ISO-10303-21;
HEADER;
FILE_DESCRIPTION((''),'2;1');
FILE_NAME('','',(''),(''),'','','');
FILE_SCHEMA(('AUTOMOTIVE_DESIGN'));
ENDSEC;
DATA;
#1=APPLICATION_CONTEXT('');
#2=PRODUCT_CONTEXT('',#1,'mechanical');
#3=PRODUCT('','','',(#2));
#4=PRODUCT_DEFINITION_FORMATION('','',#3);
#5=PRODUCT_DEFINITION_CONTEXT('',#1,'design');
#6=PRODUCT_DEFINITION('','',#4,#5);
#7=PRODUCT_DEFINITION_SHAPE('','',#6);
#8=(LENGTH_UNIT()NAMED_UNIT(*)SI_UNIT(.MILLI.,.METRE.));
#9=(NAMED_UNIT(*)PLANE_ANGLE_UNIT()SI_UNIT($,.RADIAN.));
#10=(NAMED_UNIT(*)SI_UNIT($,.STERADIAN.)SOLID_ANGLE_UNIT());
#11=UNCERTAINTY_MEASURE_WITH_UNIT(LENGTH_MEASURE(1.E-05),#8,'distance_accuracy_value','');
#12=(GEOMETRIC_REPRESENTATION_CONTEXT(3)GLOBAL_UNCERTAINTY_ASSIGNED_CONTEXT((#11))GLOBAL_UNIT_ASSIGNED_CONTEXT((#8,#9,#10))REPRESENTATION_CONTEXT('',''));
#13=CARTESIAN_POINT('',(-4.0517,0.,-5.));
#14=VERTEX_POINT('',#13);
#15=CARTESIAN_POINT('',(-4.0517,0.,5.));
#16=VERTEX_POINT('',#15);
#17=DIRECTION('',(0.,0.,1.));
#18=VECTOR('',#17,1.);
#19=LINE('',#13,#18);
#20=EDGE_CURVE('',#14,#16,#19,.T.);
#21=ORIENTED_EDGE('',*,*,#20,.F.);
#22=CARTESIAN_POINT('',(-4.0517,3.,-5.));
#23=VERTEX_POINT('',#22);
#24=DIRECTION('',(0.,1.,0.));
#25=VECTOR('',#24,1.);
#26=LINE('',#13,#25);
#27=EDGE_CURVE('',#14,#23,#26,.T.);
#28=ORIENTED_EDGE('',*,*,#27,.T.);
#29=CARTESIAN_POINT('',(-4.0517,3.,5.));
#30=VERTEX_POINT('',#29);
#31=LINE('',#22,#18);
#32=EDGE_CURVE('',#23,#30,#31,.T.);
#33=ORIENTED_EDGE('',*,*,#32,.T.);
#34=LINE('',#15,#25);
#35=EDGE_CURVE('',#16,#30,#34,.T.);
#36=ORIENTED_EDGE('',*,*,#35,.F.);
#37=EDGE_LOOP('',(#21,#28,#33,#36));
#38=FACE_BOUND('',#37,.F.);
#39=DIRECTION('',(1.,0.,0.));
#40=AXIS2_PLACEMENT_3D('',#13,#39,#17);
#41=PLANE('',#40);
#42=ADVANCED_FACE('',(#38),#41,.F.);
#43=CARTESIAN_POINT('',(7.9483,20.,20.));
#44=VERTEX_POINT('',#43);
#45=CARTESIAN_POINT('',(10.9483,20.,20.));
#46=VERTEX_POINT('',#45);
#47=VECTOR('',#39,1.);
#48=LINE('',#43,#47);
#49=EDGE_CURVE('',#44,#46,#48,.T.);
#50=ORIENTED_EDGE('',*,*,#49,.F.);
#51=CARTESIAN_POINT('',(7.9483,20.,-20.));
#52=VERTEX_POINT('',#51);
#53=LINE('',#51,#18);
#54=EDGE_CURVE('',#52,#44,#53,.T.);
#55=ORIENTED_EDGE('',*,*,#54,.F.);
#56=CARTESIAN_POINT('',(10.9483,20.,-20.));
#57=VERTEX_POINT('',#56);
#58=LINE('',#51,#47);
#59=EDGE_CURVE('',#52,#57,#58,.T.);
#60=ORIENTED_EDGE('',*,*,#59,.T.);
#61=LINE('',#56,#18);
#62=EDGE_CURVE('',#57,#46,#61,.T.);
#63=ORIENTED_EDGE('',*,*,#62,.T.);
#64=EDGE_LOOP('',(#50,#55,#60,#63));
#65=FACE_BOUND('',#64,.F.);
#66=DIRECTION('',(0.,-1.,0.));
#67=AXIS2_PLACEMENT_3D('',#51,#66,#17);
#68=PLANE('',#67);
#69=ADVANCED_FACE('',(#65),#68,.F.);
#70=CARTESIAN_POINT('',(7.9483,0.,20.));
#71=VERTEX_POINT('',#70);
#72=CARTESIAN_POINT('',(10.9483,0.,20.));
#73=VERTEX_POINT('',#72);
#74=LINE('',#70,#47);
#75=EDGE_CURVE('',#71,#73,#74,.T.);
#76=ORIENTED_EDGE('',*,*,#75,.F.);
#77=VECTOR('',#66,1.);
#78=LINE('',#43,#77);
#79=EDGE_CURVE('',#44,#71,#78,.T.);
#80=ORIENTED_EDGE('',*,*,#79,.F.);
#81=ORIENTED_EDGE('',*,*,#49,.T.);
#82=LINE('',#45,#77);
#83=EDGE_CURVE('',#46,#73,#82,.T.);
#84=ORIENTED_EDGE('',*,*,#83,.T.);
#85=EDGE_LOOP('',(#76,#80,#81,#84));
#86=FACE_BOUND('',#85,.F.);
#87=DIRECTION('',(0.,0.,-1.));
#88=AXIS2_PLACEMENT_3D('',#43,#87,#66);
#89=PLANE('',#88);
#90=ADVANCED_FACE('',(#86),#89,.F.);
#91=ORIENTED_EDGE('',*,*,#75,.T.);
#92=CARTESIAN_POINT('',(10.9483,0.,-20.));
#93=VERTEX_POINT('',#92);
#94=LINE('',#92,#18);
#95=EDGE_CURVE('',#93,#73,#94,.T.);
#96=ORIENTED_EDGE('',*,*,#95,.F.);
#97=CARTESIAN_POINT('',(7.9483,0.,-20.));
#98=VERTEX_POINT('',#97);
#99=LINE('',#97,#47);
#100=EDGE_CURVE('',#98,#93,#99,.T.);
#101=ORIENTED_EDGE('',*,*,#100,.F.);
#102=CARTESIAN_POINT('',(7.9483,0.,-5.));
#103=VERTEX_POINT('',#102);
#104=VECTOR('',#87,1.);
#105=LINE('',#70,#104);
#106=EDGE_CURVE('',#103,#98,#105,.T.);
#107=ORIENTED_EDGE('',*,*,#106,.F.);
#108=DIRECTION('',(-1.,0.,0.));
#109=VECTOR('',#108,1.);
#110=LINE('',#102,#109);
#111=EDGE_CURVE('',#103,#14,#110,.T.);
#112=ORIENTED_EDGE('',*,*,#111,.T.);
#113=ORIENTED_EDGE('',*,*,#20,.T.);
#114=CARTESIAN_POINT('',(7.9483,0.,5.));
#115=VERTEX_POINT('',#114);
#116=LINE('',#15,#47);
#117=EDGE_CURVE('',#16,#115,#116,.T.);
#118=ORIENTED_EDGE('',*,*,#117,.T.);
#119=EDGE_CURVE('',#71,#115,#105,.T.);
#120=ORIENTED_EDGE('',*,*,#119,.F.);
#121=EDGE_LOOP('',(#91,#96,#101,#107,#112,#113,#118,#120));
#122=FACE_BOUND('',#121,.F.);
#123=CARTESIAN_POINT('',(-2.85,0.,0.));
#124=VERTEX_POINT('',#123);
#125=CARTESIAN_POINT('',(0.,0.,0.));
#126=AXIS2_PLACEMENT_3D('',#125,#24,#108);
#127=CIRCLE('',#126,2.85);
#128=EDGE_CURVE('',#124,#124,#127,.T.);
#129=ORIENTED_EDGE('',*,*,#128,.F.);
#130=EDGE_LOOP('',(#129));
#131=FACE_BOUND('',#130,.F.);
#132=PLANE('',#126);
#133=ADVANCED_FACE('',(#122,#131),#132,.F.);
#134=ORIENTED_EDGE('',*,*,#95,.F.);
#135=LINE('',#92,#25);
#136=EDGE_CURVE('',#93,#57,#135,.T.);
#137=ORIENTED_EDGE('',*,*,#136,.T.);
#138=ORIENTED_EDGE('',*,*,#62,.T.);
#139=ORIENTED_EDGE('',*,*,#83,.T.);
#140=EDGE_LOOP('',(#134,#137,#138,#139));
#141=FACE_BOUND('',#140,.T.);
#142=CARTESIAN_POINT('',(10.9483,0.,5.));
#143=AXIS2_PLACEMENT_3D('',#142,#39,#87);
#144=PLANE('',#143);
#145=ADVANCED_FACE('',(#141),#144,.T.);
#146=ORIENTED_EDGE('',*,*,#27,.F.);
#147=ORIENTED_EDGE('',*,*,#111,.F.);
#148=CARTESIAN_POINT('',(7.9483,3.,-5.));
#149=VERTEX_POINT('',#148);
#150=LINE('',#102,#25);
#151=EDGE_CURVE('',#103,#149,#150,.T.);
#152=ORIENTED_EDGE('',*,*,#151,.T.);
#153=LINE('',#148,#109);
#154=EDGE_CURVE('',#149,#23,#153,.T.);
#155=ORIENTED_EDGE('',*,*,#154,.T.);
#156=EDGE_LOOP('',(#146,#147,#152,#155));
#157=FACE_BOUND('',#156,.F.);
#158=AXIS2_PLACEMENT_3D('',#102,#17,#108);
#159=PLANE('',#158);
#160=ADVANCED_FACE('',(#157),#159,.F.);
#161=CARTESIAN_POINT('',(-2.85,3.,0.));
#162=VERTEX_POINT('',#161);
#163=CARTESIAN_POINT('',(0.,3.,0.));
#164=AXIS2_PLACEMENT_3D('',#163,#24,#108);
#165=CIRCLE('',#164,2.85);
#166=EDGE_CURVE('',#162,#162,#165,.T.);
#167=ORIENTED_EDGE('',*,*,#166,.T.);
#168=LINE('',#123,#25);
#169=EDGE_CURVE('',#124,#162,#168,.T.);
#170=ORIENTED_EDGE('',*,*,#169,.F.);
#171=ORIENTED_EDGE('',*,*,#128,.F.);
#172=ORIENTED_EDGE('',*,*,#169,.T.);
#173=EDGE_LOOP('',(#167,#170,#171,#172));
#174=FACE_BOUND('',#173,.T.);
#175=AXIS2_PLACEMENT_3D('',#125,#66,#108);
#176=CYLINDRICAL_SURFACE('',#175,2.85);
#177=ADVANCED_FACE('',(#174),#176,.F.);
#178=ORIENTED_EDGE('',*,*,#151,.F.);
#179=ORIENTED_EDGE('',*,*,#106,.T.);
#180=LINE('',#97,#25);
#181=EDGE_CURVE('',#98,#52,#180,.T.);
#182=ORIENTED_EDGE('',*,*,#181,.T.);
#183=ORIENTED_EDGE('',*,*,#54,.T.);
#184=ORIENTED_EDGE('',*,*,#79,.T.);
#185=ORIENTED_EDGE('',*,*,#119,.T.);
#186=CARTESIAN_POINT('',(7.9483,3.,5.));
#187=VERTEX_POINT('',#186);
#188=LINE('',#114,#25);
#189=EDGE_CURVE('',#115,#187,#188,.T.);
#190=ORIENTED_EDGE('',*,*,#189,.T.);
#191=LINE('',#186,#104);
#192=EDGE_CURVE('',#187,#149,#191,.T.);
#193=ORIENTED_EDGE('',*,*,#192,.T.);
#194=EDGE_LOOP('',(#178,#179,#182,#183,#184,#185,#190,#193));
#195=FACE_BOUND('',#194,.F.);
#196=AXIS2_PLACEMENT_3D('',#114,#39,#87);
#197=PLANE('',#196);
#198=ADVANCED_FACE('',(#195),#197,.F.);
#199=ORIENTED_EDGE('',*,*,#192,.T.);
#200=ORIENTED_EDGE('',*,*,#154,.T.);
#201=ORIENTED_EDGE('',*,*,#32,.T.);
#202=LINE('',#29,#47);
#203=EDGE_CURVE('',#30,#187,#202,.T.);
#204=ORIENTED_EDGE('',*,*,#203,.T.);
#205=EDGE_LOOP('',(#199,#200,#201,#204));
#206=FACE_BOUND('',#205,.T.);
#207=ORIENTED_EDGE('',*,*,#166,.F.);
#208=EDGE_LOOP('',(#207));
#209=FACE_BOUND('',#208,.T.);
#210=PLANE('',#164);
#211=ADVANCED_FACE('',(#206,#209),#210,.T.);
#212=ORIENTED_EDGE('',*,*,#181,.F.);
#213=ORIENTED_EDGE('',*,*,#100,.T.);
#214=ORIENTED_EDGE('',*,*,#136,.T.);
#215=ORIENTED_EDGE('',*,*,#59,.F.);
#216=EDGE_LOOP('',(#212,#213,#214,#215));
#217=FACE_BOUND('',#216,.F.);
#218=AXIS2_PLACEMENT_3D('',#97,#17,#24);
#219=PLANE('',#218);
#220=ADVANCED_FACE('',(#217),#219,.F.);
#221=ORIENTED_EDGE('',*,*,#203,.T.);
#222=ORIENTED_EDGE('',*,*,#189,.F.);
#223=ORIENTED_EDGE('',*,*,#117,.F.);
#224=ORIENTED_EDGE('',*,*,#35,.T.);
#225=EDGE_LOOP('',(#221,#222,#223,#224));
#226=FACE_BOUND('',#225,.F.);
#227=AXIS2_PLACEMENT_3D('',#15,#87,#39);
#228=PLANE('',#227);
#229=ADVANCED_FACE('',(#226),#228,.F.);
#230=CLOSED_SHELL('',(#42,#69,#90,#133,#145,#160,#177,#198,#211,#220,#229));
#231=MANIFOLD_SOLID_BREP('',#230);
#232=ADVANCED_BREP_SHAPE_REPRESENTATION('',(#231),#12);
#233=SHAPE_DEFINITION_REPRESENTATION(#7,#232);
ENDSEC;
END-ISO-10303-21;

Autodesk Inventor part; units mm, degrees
ref_plane "YZ Plane" through (0, 0, 0) normal (1, 0, 0) x (0, 1, 0)
ref_plane "XZ Plane" through (0, 0, 0) normal (0, 1, 0) x (-1, 0, 0)
ref_plane "XY Plane" through (0, 0, 0) normal (0, 0, 1) x (1, 0, 0)
sketch "Sketch1" plane through (0, 0, 0) normal (0, 1, 0) x (-1, 0, 0)
  line L0 (4.0517, 5) -> (-7.9483, 5)
  line L1 (-7.9483, 5) -> (-7.9483, -5)
  line L2 (-7.9483, -5) -> (4.0517, -5)
  line L3 (4.0517, -5) -> (4.0517, 5)
  circle A0 centre (0, 0) radius 2.85
  dimension "d0" = 5.7
  dimension "d1" = 10
  dimension "d2" = 5
  dimension "d3" = 12
extrude "Extrusion1" add sketch "Sketch1" along normal blind 3
sketch "Sketch2" plane through (7.9483, 0, 5) normal (1, 0, 0) x (0, 0, -1)
  line L0 (-15, 0) -> (25, 0)
  line L1 (25, 0) -> (25, 20)
  line L2 (25, 20) -> (-15, 20)
  line L3 (-15, 20) -> (-15, 0)
  line L4 (0, 0) -> (0, 3) projected
  line L5 (10, 0) -> (0, 0) projected
  point P0 (5, 0)
  dimension "d6" = 40
  dimension "d7" = 20
  dimension "d8" = 15
extrude "Extrusion2" add sketch "Sketch2" along normal blind 3
